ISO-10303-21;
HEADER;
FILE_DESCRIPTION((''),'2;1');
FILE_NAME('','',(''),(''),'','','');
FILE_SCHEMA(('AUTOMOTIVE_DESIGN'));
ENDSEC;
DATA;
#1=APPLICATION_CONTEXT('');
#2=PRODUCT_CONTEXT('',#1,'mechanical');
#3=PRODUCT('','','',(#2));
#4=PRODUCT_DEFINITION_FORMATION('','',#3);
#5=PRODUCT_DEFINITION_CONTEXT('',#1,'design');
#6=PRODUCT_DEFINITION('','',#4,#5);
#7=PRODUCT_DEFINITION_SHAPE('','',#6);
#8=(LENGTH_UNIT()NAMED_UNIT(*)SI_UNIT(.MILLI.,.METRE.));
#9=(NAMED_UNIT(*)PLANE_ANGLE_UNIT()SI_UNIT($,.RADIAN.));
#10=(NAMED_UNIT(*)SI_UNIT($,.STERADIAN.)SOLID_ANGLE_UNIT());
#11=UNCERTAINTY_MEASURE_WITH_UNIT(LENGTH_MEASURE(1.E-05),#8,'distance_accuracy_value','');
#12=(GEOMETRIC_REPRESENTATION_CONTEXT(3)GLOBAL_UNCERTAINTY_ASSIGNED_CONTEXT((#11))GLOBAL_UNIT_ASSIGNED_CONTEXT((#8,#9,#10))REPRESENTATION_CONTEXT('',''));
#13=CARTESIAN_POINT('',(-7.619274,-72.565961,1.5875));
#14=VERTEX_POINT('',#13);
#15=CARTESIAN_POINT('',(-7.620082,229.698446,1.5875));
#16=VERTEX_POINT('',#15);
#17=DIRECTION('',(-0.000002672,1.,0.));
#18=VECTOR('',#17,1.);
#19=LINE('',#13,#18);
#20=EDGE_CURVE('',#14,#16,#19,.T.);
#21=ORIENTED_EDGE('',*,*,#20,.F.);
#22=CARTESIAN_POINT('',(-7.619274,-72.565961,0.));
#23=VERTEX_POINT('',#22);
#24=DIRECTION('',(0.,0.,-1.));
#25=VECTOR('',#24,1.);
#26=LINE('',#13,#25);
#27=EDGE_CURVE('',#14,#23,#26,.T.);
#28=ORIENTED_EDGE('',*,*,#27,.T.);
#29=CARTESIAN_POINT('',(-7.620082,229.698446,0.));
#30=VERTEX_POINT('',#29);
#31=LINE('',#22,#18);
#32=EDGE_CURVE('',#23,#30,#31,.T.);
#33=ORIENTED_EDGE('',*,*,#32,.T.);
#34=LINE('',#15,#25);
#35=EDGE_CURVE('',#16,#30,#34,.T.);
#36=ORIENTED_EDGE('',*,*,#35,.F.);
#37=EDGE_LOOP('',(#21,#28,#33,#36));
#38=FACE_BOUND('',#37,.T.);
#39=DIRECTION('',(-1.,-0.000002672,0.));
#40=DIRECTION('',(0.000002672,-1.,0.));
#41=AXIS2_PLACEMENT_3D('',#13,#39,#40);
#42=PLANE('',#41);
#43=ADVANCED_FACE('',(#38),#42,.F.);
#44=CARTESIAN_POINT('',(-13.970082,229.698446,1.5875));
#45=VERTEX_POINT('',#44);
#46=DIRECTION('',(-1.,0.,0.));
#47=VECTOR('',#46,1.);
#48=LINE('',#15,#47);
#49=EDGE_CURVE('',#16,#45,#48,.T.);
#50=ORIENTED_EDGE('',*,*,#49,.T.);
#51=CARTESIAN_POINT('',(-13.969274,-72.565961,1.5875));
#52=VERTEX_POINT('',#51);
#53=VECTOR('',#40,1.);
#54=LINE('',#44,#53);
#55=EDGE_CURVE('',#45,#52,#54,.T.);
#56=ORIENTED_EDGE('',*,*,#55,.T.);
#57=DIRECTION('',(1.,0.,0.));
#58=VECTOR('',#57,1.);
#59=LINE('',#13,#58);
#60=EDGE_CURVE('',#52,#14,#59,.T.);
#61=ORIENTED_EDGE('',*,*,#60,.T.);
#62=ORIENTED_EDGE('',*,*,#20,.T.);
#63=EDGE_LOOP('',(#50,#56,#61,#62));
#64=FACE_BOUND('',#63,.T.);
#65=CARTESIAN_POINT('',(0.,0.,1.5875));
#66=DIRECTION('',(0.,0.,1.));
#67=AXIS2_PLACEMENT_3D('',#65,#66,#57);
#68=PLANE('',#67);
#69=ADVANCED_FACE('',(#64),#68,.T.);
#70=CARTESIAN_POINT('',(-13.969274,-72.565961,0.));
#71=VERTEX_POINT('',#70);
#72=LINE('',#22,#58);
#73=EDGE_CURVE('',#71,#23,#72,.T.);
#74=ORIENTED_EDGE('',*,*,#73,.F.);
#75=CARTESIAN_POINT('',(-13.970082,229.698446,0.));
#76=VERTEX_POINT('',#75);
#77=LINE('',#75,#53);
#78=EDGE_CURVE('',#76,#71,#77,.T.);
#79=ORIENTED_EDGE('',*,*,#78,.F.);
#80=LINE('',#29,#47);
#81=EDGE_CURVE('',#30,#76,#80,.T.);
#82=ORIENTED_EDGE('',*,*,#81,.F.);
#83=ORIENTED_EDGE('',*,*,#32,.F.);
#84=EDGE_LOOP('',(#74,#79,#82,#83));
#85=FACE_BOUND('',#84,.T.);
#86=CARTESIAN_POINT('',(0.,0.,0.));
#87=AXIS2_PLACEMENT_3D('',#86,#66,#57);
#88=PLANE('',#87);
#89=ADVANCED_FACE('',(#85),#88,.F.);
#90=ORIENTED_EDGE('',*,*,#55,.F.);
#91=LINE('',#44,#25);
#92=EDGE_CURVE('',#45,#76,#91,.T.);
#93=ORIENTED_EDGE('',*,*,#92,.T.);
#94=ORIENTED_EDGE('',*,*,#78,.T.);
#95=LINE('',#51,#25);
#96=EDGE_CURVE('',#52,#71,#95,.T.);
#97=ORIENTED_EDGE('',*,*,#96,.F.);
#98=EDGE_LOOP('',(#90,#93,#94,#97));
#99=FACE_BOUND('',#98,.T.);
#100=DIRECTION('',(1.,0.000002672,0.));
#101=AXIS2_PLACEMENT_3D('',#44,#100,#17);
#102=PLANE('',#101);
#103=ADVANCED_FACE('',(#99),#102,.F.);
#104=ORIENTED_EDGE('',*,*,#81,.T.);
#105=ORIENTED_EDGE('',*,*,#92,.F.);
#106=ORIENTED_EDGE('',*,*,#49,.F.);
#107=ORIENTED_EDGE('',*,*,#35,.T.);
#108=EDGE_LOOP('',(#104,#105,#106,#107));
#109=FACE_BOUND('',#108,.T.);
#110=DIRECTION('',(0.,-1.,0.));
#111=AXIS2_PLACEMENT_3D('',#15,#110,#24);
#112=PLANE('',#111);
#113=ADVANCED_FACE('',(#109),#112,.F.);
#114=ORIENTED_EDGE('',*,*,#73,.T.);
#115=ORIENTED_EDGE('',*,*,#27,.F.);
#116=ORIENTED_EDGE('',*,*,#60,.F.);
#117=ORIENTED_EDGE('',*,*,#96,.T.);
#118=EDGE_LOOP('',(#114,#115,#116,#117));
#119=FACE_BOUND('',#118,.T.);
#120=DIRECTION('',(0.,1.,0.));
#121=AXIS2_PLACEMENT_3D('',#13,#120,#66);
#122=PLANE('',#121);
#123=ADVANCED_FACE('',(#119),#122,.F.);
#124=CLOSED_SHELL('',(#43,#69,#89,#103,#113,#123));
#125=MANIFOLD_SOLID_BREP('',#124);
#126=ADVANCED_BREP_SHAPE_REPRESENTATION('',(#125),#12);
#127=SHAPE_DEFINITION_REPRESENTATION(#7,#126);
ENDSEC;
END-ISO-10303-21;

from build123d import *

# Parameters (mm, degrees)
BOSS_EXTRUDE2_DEPTH = 1.5875


with BuildPart() as part:
    # Sketch1 → Boss-Extrude2 (new body)
    with BuildSketch(Plane.XY):
        Polygon((-7.619274407, -72.565960529), (-13.969274407, -72.565960529), (-13.970081974, 229.69844639), (-7.620081974, 229.69844639), align=None)
    extrude(amount=BOSS_EXTRUDE2_DEPTH)


solid = part.part
